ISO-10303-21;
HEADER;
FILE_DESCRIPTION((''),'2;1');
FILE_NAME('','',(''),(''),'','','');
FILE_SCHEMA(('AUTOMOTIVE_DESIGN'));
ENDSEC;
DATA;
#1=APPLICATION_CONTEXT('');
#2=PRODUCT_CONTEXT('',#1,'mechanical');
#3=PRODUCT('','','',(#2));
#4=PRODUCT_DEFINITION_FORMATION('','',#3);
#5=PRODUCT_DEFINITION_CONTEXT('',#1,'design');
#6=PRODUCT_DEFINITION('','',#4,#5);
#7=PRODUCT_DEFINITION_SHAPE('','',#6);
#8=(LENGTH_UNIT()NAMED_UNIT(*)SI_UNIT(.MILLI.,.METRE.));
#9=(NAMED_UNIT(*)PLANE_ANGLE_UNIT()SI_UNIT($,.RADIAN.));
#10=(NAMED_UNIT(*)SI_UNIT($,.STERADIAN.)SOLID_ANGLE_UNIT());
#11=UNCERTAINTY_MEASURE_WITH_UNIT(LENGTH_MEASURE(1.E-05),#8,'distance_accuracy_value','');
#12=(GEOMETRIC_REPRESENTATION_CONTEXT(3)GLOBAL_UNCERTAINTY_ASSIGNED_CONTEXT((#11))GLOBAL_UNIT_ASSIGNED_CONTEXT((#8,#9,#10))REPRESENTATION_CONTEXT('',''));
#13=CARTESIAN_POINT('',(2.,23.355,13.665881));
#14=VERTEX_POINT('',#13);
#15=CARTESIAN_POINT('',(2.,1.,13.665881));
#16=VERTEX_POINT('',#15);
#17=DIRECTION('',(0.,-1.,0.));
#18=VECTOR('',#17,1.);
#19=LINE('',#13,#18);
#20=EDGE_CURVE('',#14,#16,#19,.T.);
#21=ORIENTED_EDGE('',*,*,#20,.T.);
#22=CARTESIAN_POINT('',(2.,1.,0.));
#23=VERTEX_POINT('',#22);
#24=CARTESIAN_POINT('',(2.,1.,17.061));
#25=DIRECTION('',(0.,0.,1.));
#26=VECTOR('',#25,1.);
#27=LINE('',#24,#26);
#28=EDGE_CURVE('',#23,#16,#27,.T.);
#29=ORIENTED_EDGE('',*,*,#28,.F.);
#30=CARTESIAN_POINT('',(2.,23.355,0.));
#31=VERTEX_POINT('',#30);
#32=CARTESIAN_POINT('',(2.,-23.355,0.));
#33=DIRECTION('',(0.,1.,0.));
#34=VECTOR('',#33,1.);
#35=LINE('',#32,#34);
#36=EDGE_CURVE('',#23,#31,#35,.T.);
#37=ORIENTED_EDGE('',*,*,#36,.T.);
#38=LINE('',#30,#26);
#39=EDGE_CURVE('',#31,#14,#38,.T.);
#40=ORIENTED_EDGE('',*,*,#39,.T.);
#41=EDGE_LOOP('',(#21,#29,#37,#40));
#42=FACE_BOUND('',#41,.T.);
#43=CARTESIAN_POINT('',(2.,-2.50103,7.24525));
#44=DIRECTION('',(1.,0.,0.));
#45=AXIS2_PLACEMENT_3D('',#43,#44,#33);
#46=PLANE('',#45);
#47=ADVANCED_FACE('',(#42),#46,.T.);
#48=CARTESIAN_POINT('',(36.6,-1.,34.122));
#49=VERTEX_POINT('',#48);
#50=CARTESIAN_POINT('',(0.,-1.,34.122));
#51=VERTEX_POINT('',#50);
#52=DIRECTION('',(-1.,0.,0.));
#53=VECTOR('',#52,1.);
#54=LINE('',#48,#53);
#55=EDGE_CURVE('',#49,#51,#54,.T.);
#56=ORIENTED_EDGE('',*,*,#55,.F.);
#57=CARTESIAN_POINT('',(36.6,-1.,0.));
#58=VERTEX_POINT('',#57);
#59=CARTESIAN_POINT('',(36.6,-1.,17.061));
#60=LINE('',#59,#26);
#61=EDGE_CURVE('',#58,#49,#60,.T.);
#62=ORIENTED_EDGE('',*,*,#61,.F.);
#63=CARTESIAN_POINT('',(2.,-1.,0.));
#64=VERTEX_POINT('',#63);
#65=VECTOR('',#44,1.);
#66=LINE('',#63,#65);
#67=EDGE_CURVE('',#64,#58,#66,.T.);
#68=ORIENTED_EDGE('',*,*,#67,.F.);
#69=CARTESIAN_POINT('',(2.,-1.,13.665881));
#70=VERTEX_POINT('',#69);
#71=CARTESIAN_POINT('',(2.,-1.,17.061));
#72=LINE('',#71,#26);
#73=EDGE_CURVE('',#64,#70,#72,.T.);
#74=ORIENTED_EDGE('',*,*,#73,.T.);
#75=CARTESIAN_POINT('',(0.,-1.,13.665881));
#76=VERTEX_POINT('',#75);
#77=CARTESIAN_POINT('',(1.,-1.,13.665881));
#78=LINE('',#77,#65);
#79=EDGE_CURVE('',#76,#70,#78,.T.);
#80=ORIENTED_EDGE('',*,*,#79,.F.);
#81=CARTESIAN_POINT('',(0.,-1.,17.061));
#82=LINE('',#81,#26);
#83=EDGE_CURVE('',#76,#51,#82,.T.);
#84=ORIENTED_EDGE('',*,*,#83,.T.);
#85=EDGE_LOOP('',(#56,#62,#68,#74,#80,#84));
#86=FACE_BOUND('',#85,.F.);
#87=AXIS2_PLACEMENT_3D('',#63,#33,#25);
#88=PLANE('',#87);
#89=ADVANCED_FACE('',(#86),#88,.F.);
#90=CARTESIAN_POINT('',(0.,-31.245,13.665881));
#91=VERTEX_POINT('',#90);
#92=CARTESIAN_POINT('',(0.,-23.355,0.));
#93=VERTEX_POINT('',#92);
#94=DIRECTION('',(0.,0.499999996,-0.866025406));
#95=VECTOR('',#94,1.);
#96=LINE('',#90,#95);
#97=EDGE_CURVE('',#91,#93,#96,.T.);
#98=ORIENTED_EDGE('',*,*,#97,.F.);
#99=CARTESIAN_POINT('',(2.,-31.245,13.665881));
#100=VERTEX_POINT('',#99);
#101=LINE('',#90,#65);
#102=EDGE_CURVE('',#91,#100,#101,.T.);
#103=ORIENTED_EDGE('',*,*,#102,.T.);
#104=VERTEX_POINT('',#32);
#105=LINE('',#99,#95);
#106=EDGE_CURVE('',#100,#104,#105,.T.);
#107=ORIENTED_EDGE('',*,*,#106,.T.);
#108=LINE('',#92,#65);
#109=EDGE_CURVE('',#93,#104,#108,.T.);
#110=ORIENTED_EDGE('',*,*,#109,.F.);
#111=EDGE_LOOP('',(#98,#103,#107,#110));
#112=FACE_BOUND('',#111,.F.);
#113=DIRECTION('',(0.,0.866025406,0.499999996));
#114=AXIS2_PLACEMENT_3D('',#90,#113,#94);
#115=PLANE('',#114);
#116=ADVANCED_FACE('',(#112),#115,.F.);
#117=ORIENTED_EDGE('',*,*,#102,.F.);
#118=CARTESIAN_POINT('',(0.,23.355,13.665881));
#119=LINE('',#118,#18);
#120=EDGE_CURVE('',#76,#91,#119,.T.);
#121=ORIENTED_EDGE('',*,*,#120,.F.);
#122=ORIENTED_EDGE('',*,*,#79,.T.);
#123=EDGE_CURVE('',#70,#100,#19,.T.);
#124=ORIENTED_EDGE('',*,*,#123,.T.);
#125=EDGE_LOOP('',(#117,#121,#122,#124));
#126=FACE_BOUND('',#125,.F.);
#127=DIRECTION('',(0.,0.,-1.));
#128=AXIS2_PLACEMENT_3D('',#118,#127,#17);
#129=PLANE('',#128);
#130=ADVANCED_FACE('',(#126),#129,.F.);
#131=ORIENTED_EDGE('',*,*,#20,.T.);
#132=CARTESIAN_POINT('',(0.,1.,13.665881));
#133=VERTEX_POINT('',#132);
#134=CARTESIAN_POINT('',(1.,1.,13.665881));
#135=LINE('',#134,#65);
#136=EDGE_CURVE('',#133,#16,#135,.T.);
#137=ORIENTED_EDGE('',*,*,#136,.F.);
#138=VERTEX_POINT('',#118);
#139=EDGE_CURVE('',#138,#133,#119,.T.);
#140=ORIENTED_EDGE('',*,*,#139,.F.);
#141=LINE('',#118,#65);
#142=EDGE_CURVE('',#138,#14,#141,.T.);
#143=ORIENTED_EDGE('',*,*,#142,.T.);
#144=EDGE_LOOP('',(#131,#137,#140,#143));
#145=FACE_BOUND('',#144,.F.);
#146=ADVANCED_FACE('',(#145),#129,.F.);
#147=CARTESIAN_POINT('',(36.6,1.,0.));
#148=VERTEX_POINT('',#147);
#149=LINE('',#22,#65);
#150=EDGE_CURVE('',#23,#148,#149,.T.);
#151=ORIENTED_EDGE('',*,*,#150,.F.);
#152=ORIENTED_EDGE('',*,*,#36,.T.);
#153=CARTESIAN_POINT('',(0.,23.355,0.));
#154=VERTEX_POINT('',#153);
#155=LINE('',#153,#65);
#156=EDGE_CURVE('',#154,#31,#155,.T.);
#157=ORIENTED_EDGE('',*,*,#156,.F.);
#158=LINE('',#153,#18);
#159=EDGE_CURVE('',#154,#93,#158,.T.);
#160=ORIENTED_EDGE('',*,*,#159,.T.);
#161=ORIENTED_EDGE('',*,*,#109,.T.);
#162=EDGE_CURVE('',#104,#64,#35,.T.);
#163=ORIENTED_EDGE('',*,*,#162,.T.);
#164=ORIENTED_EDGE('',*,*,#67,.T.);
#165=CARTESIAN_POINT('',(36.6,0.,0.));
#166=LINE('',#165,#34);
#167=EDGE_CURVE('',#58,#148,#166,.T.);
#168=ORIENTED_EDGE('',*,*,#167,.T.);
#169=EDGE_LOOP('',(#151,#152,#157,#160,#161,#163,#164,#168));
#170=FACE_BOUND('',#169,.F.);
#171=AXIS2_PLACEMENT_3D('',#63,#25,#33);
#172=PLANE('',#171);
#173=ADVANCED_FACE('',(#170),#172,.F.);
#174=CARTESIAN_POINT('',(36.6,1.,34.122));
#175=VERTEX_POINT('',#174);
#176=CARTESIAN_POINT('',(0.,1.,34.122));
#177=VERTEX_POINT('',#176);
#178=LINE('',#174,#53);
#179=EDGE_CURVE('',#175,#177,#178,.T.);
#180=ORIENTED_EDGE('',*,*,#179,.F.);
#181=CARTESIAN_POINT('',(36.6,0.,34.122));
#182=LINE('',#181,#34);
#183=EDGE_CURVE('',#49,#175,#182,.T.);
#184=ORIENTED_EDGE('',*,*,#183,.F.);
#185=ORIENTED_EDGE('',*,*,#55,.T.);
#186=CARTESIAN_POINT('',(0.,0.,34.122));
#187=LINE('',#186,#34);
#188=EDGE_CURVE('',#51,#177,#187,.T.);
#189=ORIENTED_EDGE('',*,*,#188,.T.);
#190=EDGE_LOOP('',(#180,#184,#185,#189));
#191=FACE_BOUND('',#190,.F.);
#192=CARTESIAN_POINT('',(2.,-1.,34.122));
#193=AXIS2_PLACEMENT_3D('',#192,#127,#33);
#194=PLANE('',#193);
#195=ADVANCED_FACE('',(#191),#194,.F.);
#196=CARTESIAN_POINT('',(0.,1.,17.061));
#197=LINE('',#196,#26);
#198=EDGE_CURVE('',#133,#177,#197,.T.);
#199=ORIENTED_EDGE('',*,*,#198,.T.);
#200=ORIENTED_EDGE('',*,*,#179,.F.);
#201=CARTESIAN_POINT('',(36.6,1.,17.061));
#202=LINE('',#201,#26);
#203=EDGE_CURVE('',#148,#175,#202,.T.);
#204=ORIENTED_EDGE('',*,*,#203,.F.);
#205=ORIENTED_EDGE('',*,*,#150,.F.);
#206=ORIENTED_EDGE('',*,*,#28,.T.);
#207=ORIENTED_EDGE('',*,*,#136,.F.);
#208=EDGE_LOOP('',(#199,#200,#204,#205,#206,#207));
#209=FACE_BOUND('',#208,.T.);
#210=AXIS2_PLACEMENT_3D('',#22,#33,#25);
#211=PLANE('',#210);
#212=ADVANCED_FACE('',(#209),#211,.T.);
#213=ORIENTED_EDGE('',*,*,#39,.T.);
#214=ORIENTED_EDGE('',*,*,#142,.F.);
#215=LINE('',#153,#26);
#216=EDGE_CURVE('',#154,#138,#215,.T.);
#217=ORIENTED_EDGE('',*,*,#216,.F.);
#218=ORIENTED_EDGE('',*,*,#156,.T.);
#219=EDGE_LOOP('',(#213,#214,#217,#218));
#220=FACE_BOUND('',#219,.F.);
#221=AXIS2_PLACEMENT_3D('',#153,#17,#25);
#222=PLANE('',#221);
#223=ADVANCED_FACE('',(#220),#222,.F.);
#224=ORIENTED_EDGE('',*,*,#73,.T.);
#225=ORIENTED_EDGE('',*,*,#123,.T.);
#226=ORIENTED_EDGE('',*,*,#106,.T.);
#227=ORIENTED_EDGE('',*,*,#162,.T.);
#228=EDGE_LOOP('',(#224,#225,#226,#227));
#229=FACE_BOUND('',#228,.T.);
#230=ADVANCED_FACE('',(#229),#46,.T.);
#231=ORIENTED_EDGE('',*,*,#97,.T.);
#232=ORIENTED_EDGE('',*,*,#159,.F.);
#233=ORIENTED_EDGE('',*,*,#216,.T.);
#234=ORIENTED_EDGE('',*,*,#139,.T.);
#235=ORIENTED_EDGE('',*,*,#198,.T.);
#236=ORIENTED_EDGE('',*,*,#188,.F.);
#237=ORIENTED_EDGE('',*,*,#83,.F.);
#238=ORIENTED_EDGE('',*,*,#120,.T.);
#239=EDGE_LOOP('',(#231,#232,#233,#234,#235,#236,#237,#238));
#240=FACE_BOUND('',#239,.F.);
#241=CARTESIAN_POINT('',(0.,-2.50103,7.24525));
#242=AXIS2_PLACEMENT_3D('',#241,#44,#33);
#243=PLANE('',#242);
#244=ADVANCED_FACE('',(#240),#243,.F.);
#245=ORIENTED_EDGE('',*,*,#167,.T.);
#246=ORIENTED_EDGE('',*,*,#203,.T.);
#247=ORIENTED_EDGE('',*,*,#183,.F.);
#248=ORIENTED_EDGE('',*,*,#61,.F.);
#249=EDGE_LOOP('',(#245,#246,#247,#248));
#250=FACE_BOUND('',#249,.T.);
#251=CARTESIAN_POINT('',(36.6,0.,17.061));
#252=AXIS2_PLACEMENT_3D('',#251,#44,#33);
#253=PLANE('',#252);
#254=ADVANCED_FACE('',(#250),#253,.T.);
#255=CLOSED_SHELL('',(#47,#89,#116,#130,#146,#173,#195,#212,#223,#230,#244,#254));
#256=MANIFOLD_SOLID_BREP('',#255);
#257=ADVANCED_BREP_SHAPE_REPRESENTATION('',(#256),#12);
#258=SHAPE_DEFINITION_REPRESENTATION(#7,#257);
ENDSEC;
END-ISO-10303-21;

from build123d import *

# Parameters (mm, degrees)
PAD_DEPTH         = 2
SKETCH001_W       = 2
SKETCH001_H       = 34.122
PAD001_DEPTH      = 34.6
PAD001_DEPTH_BACK = 2


with BuildPart() as part:
    # Sketch → Pad (new body)
    with BuildSketch(Plane.YZ):
        Polygon((-23.355, 0), (23.355, 0), (23.355, 13.665881), (-31.245, 13.665881), align=None)
    extrude(amount=PAD_DEPTH)

    # Sketch001 (on Face6 of Pad) → Pad001 (join, two sides)
    with BuildSketch(Plane.YZ.offset(2)) as pad001_sk:
        with Locations((0, 17.061)):
            Rectangle(SKETCH001_W, SKETCH001_H)
    extrude(amount=PAD001_DEPTH)
    extrude(pad001_sk.sketch, amount=-PAD001_DEPTH_BACK)


solid = part.part
